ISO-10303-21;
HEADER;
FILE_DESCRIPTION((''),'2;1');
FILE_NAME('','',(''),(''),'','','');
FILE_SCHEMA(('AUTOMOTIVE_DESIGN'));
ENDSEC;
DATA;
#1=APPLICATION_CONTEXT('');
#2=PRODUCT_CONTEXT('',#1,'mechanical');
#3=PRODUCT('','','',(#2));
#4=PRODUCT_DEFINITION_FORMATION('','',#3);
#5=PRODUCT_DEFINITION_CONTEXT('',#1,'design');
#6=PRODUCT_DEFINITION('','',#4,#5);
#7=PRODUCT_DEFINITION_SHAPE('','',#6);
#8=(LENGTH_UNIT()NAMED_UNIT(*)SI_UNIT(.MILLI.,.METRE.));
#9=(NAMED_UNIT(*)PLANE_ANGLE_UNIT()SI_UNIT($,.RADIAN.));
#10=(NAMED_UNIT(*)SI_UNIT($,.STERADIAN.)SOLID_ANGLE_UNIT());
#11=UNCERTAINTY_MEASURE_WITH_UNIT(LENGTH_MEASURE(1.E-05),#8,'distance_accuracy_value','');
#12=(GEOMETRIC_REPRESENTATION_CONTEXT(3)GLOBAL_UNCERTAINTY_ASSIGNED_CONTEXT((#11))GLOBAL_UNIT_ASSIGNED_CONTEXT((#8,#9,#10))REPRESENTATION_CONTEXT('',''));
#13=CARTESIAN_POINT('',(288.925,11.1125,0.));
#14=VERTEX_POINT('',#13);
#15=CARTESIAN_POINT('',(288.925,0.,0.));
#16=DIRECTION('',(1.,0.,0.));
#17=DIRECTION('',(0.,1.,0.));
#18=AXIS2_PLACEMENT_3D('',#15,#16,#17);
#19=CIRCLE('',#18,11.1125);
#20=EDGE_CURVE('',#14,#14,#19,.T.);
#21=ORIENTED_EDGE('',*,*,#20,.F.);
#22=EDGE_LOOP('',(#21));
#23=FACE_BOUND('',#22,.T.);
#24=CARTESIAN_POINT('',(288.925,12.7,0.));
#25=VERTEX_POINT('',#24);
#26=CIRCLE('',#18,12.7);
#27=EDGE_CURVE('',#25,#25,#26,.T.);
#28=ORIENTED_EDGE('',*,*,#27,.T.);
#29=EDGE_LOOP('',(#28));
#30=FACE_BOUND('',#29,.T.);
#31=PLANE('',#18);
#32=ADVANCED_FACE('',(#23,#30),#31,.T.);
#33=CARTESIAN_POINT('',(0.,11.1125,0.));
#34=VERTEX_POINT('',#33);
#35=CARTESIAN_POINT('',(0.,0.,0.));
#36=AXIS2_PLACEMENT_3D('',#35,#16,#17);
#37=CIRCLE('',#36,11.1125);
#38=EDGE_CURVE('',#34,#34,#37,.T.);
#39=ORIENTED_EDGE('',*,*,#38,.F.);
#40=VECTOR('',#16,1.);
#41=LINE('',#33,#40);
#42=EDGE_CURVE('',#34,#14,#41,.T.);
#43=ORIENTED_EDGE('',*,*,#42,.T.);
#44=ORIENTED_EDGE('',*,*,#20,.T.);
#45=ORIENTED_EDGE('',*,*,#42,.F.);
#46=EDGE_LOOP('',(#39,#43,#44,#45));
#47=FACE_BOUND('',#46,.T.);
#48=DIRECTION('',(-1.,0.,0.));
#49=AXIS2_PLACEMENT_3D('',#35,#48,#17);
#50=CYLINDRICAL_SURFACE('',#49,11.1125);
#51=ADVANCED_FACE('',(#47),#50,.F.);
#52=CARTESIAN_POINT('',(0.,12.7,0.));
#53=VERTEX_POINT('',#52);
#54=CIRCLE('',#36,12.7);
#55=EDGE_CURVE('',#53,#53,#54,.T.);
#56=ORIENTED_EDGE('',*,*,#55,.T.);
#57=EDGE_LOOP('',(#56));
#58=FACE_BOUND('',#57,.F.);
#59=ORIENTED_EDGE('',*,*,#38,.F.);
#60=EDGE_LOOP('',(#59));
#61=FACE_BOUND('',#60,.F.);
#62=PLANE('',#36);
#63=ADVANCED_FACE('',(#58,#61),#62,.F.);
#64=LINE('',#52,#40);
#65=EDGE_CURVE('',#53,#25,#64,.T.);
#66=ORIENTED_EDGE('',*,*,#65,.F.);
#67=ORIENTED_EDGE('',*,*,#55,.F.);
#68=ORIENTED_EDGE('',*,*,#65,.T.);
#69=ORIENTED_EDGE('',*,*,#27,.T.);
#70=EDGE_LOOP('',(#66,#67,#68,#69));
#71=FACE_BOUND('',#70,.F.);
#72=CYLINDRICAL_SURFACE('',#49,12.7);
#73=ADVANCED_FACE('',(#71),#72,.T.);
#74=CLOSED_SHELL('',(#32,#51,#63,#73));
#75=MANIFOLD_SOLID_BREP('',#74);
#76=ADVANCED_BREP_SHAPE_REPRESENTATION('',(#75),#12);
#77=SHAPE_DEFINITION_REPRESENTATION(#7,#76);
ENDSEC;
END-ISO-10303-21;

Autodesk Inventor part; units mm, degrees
ref_plane "YZ Plane" through (0, 0, 0) normal (1, 0, 0) x (0, 1, 0)
ref_plane "XZ Plane" through (0, 0, 0) normal (0, 1, 0) x (-1, 0, 0)
ref_plane "XY Plane" through (0, 0, 0) normal (0, 0, 1) x (1, 0, 0)
sketch "Sketch1" plane through (0, 0, 0) normal (1, 0, 0) x (0, 1, 0)
  circle A0 centre (0, 0) radius 12.7
  circle A1 centre (0, 0) radius 11.1125
  dimension "d0" = 25.4
  dimension "d1" = 22.225
extrude "Extrusion1" add sketch "Sketch1" along normal blind 288.925
properties part number "ShooterTubes"
